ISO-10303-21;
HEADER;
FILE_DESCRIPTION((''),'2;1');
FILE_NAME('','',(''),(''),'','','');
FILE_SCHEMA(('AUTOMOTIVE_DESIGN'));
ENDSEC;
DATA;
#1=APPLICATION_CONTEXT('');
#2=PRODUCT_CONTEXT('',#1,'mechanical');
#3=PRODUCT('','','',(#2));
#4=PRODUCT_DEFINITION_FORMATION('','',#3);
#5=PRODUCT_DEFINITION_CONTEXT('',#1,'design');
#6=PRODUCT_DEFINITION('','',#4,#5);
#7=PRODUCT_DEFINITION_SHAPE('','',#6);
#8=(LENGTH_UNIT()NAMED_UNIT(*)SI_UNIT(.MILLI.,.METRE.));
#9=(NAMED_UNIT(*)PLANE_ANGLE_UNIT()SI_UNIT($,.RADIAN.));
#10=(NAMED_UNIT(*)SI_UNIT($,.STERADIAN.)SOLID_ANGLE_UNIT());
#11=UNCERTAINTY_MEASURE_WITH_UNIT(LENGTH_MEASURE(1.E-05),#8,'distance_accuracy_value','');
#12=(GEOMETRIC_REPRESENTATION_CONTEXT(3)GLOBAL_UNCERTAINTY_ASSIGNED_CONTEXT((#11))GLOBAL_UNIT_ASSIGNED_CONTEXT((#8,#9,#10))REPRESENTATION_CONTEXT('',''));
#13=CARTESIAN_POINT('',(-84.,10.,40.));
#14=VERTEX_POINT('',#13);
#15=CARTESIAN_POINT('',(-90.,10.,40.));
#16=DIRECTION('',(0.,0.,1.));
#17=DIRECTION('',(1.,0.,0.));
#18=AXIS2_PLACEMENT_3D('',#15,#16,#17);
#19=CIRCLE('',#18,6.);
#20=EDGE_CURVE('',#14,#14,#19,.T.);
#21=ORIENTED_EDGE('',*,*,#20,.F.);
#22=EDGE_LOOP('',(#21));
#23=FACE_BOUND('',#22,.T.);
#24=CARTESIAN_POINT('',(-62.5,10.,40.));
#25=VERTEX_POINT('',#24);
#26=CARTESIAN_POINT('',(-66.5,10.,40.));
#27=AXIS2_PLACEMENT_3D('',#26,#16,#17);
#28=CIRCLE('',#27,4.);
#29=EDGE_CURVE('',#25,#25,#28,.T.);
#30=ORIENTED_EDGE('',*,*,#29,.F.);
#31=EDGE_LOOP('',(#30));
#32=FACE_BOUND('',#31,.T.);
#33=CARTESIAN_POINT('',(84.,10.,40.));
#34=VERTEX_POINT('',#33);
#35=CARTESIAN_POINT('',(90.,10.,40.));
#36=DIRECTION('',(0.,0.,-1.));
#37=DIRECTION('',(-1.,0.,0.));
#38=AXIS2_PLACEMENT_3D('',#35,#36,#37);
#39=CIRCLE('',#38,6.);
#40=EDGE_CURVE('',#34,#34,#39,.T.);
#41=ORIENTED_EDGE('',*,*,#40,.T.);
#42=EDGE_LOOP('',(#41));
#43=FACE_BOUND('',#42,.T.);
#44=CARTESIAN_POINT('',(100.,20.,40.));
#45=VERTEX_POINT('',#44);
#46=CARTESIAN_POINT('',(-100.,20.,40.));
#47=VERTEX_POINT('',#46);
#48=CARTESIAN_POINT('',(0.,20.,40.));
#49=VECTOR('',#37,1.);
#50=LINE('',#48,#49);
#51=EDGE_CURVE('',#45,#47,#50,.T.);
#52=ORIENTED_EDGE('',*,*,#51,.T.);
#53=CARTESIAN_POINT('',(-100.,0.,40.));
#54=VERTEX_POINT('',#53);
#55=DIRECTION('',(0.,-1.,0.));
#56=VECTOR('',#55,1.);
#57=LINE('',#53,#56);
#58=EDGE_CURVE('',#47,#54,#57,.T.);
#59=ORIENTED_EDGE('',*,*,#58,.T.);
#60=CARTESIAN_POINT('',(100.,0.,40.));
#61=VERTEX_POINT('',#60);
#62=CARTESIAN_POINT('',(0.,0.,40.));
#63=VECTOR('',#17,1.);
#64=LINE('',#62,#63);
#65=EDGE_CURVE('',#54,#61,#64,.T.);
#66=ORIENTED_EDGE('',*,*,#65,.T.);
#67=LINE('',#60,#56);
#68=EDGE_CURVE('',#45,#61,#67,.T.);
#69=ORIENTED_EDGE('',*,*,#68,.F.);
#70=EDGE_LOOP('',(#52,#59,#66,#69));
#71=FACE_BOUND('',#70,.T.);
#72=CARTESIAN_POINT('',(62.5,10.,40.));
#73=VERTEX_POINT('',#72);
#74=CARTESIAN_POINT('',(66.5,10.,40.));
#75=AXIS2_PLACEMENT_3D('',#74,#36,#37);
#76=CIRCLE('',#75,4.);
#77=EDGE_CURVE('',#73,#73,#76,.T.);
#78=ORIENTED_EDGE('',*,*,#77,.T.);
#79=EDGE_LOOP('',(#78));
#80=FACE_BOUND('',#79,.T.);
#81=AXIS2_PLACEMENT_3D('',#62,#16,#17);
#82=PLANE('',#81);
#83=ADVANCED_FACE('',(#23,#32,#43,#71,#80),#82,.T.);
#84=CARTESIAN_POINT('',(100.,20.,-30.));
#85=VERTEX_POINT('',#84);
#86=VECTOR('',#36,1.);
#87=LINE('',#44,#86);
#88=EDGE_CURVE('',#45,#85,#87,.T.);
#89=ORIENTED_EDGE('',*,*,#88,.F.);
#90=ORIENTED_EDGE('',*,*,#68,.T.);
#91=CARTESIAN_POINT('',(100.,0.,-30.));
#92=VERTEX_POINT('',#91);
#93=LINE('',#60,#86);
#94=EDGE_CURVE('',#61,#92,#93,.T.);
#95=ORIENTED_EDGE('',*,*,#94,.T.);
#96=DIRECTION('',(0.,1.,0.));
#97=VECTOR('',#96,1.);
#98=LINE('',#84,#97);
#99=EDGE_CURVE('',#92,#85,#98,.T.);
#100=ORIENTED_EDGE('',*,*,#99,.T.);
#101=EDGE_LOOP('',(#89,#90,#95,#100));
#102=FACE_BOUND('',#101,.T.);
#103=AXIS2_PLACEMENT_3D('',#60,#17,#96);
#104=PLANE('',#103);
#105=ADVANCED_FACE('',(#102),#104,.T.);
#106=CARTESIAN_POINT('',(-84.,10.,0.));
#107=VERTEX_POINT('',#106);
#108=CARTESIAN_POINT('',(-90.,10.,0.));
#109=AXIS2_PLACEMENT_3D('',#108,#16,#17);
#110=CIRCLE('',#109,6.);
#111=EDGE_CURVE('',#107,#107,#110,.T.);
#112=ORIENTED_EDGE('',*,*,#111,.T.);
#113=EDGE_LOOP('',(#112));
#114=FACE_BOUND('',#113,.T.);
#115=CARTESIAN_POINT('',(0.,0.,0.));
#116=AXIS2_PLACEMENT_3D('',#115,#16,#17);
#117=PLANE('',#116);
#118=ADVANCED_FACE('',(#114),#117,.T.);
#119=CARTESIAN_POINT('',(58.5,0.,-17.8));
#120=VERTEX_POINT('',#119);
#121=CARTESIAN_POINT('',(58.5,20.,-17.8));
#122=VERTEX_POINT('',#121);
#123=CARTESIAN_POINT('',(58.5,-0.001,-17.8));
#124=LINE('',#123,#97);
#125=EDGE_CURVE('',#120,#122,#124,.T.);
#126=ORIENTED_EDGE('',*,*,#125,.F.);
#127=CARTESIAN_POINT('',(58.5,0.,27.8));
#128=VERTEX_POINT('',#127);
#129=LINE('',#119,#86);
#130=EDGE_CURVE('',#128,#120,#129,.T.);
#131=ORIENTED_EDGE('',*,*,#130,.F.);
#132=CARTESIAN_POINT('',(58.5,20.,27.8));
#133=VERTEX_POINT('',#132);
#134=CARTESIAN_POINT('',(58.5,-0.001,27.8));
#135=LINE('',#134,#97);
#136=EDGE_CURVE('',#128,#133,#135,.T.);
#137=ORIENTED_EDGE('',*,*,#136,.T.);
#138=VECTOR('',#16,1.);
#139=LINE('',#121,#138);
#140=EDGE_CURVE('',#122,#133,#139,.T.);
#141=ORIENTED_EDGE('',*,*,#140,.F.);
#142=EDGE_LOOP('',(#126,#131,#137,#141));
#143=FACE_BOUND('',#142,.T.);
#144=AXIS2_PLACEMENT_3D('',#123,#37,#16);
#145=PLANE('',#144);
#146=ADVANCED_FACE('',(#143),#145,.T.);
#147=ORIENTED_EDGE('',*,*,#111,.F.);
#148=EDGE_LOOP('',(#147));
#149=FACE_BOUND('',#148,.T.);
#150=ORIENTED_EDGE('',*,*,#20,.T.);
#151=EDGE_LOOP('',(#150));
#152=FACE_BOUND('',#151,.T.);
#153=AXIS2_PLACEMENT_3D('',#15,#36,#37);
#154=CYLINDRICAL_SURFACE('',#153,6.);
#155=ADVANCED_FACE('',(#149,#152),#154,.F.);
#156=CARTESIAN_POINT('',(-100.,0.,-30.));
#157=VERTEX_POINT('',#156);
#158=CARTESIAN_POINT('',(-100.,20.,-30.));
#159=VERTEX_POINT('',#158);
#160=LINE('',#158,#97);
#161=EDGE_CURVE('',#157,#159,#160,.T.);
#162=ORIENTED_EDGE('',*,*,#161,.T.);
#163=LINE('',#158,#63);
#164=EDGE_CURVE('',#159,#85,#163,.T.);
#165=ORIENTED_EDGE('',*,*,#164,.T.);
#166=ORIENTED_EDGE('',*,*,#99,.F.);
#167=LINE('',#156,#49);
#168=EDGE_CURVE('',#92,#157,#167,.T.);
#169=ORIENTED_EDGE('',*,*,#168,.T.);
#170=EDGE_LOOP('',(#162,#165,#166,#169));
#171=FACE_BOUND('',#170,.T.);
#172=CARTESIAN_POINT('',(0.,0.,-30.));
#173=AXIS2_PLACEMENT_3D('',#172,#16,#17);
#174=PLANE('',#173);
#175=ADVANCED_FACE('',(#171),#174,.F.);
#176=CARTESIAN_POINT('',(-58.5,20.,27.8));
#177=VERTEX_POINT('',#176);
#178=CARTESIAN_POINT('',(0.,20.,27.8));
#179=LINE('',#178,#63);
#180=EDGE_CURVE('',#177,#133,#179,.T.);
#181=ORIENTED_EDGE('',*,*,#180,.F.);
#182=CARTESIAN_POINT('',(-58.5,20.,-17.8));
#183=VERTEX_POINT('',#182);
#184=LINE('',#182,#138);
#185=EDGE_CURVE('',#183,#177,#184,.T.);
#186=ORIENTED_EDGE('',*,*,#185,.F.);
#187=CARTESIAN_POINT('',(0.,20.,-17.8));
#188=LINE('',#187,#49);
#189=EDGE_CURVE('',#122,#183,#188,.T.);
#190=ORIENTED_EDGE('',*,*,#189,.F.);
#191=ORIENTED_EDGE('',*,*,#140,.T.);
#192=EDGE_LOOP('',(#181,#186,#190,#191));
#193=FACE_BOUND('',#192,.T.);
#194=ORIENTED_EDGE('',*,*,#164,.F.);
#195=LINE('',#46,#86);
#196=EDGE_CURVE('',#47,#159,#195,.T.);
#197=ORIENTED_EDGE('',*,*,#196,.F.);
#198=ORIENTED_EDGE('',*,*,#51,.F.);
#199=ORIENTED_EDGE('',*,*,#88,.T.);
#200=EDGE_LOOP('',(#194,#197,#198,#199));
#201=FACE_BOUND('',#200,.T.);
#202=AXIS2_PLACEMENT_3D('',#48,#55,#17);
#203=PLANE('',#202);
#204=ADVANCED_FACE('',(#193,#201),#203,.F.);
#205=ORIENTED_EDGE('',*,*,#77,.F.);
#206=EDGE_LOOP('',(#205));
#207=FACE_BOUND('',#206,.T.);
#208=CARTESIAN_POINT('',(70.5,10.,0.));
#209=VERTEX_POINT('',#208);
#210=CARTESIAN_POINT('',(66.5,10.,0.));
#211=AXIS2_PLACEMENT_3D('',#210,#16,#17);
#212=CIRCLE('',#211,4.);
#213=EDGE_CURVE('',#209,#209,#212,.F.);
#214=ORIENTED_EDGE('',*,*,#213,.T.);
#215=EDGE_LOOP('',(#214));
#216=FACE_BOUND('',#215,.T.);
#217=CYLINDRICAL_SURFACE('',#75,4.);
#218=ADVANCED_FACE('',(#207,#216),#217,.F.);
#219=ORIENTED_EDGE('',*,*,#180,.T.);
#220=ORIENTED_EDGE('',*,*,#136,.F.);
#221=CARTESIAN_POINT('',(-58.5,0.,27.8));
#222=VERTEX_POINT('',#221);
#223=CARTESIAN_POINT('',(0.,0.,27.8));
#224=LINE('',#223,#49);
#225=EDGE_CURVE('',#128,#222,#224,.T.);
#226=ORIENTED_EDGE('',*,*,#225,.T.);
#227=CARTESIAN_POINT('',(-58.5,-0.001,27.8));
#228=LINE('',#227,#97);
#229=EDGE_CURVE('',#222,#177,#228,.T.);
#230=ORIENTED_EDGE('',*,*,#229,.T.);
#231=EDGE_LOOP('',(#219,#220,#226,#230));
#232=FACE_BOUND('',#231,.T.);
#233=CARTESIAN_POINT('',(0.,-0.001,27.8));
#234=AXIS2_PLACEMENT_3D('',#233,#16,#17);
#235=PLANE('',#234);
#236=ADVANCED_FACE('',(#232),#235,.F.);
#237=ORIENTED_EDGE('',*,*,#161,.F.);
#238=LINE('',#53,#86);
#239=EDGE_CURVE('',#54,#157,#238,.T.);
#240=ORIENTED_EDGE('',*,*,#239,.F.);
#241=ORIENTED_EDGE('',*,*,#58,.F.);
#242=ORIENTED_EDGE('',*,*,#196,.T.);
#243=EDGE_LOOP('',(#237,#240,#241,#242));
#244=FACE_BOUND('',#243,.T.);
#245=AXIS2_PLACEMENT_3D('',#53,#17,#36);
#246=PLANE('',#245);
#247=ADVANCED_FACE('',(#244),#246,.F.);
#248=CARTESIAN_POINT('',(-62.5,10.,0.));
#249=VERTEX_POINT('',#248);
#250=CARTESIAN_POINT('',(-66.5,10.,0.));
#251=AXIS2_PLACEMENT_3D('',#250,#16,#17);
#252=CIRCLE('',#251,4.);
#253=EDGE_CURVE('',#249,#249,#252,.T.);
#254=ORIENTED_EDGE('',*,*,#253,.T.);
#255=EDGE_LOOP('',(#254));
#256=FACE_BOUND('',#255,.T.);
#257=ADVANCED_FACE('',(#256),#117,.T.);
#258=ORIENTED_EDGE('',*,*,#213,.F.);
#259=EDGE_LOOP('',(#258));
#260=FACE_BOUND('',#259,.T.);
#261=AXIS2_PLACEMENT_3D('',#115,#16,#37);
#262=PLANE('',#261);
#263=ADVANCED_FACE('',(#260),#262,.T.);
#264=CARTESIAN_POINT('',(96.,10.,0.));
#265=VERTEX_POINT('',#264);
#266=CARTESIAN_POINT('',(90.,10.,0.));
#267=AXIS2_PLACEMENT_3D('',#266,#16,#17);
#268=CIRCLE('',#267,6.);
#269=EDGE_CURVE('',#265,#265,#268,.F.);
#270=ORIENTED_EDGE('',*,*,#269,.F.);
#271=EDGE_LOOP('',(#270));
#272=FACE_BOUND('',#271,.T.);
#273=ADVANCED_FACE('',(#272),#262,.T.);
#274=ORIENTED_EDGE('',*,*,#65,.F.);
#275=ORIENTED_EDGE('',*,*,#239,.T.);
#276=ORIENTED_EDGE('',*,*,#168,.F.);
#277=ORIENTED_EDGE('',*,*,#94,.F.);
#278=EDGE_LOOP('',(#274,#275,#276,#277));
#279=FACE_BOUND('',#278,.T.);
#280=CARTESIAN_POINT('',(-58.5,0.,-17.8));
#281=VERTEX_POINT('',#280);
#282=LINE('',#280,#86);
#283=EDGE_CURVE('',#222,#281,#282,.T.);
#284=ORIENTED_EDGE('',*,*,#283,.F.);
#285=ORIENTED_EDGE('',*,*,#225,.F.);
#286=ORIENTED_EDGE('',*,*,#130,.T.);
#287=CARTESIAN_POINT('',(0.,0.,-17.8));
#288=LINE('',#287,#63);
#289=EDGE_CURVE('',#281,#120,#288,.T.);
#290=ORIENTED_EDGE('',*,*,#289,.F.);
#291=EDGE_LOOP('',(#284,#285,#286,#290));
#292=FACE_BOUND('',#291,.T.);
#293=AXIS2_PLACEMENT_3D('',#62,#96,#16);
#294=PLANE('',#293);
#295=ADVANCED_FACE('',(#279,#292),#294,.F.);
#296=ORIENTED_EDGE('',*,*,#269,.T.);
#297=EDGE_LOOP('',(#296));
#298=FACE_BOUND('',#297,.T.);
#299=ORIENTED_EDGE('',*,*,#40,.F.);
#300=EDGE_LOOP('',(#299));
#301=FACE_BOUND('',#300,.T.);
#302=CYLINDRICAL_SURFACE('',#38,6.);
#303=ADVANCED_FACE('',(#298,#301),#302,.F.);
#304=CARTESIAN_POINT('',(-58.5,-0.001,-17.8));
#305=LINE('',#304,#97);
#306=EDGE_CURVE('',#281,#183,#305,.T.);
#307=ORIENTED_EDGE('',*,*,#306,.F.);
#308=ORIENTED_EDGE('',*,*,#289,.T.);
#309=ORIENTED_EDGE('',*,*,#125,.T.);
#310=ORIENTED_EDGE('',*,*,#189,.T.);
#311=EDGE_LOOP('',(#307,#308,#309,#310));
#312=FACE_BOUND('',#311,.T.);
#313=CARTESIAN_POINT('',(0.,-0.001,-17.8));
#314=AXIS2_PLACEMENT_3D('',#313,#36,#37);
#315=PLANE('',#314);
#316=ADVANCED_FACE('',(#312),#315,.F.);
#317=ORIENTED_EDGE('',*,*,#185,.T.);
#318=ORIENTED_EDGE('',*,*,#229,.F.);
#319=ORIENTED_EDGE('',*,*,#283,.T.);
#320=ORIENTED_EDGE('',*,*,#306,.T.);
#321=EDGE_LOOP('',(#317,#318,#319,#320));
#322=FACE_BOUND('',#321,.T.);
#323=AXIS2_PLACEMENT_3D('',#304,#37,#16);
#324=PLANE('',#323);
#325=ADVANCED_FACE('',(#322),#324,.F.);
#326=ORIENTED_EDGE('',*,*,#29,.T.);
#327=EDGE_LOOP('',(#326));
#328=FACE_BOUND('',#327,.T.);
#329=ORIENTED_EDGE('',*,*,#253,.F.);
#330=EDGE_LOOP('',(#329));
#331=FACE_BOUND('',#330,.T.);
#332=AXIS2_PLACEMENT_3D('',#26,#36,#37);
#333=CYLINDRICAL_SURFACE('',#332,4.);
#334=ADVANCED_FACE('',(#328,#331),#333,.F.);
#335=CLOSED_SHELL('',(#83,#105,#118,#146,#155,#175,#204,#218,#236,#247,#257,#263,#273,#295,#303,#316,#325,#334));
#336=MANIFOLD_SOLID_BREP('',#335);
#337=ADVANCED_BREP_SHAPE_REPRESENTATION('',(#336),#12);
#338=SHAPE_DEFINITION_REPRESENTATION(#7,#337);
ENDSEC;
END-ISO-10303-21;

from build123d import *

# Parameters (mm, degrees)
SKETCH1_W           = 100
SKETCH1_H           = 20
SKETCH1_R           = 6
SKETCH1_R_2         = 4
BOSS_EXTRUDE1_DEPTH = 40
SKETCH2_W           = 100
SKETCH2_H           = 20
BOSS_EXTRUDE2_DEPTH = 30
CUT_EXTRUDE1_REACH  = 111.545
SKETCH3_W           = 58.5
SKETCH3_H           = 45.6


with BuildPart() as part:
    # Sketch1 → Boss-Extrude1 (new body)
    with BuildSketch(Plane.XY):
        with Locations((-50, 10)):
            Rectangle(SKETCH1_W, SKETCH1_H)
        with Locations((-90, 10)):
            Circle(SKETCH1_R, mode=Mode.SUBTRACT)
        with Locations((-66.5, 10)):
            Circle(SKETCH1_R_2, mode=Mode.SUBTRACT)
    boss_extrude1 = extrude(amount=BOSS_EXTRUDE1_DEPTH)

    # Sketch2 → Boss-Extrude2 (add)
    with BuildSketch(Plane(origin=(0, 0, 0), x_dir=(-1, 0, 0), z_dir=(0, 0, -1))):
        with Locations((50, 10)):
            Rectangle(SKETCH2_W, SKETCH2_H)
    boss_extrude2 = extrude(amount=BOSS_EXTRUDE2_DEPTH)

    # Sketch3 → Cut-Extrude1 (cut, up to next)
    with BuildSketch(Plane(origin=(0, 20, 0), x_dir=(1, 0, 0), z_dir=(0, 1, 0)), mode=Mode.PRIVATE) as cut_extrude1_sk1:
        with Locations((-29.25, -5)):
            Rectangle(SKETCH3_W, SKETCH3_H)
    cut_extrude1_tool1 = extrude(cut_extrude1_sk1.sketch, amount=-CUT_EXTRUDE1_REACH, mode=Mode.PRIVATE) & part.part
    cut_extrude1 = cut_extrude1_tool1.solids().sort_by_distance((-29.25, 20, 5))[0]
    add(cut_extrude1, mode=Mode.SUBTRACT)

    # Mirror2: Boss-Extrude1, Boss-Extrude2, Cut-Extrude1 across plane
    add(boss_extrude1.mirror(Plane(origin=(0, 0, 40), x_dir=(0, 0, 1), z_dir=(-1, 0, 0))))
    add(boss_extrude2.mirror(Plane(origin=(0, 0, 40), x_dir=(0, 0, 1), z_dir=(-1, 0, 0))))
    add(cut_extrude1.mirror(Plane(origin=(0, 0, 40), x_dir=(0, 0, 1), z_dir=(-1, 0, 0))), mode=Mode.SUBTRACT)


solid = part.part
